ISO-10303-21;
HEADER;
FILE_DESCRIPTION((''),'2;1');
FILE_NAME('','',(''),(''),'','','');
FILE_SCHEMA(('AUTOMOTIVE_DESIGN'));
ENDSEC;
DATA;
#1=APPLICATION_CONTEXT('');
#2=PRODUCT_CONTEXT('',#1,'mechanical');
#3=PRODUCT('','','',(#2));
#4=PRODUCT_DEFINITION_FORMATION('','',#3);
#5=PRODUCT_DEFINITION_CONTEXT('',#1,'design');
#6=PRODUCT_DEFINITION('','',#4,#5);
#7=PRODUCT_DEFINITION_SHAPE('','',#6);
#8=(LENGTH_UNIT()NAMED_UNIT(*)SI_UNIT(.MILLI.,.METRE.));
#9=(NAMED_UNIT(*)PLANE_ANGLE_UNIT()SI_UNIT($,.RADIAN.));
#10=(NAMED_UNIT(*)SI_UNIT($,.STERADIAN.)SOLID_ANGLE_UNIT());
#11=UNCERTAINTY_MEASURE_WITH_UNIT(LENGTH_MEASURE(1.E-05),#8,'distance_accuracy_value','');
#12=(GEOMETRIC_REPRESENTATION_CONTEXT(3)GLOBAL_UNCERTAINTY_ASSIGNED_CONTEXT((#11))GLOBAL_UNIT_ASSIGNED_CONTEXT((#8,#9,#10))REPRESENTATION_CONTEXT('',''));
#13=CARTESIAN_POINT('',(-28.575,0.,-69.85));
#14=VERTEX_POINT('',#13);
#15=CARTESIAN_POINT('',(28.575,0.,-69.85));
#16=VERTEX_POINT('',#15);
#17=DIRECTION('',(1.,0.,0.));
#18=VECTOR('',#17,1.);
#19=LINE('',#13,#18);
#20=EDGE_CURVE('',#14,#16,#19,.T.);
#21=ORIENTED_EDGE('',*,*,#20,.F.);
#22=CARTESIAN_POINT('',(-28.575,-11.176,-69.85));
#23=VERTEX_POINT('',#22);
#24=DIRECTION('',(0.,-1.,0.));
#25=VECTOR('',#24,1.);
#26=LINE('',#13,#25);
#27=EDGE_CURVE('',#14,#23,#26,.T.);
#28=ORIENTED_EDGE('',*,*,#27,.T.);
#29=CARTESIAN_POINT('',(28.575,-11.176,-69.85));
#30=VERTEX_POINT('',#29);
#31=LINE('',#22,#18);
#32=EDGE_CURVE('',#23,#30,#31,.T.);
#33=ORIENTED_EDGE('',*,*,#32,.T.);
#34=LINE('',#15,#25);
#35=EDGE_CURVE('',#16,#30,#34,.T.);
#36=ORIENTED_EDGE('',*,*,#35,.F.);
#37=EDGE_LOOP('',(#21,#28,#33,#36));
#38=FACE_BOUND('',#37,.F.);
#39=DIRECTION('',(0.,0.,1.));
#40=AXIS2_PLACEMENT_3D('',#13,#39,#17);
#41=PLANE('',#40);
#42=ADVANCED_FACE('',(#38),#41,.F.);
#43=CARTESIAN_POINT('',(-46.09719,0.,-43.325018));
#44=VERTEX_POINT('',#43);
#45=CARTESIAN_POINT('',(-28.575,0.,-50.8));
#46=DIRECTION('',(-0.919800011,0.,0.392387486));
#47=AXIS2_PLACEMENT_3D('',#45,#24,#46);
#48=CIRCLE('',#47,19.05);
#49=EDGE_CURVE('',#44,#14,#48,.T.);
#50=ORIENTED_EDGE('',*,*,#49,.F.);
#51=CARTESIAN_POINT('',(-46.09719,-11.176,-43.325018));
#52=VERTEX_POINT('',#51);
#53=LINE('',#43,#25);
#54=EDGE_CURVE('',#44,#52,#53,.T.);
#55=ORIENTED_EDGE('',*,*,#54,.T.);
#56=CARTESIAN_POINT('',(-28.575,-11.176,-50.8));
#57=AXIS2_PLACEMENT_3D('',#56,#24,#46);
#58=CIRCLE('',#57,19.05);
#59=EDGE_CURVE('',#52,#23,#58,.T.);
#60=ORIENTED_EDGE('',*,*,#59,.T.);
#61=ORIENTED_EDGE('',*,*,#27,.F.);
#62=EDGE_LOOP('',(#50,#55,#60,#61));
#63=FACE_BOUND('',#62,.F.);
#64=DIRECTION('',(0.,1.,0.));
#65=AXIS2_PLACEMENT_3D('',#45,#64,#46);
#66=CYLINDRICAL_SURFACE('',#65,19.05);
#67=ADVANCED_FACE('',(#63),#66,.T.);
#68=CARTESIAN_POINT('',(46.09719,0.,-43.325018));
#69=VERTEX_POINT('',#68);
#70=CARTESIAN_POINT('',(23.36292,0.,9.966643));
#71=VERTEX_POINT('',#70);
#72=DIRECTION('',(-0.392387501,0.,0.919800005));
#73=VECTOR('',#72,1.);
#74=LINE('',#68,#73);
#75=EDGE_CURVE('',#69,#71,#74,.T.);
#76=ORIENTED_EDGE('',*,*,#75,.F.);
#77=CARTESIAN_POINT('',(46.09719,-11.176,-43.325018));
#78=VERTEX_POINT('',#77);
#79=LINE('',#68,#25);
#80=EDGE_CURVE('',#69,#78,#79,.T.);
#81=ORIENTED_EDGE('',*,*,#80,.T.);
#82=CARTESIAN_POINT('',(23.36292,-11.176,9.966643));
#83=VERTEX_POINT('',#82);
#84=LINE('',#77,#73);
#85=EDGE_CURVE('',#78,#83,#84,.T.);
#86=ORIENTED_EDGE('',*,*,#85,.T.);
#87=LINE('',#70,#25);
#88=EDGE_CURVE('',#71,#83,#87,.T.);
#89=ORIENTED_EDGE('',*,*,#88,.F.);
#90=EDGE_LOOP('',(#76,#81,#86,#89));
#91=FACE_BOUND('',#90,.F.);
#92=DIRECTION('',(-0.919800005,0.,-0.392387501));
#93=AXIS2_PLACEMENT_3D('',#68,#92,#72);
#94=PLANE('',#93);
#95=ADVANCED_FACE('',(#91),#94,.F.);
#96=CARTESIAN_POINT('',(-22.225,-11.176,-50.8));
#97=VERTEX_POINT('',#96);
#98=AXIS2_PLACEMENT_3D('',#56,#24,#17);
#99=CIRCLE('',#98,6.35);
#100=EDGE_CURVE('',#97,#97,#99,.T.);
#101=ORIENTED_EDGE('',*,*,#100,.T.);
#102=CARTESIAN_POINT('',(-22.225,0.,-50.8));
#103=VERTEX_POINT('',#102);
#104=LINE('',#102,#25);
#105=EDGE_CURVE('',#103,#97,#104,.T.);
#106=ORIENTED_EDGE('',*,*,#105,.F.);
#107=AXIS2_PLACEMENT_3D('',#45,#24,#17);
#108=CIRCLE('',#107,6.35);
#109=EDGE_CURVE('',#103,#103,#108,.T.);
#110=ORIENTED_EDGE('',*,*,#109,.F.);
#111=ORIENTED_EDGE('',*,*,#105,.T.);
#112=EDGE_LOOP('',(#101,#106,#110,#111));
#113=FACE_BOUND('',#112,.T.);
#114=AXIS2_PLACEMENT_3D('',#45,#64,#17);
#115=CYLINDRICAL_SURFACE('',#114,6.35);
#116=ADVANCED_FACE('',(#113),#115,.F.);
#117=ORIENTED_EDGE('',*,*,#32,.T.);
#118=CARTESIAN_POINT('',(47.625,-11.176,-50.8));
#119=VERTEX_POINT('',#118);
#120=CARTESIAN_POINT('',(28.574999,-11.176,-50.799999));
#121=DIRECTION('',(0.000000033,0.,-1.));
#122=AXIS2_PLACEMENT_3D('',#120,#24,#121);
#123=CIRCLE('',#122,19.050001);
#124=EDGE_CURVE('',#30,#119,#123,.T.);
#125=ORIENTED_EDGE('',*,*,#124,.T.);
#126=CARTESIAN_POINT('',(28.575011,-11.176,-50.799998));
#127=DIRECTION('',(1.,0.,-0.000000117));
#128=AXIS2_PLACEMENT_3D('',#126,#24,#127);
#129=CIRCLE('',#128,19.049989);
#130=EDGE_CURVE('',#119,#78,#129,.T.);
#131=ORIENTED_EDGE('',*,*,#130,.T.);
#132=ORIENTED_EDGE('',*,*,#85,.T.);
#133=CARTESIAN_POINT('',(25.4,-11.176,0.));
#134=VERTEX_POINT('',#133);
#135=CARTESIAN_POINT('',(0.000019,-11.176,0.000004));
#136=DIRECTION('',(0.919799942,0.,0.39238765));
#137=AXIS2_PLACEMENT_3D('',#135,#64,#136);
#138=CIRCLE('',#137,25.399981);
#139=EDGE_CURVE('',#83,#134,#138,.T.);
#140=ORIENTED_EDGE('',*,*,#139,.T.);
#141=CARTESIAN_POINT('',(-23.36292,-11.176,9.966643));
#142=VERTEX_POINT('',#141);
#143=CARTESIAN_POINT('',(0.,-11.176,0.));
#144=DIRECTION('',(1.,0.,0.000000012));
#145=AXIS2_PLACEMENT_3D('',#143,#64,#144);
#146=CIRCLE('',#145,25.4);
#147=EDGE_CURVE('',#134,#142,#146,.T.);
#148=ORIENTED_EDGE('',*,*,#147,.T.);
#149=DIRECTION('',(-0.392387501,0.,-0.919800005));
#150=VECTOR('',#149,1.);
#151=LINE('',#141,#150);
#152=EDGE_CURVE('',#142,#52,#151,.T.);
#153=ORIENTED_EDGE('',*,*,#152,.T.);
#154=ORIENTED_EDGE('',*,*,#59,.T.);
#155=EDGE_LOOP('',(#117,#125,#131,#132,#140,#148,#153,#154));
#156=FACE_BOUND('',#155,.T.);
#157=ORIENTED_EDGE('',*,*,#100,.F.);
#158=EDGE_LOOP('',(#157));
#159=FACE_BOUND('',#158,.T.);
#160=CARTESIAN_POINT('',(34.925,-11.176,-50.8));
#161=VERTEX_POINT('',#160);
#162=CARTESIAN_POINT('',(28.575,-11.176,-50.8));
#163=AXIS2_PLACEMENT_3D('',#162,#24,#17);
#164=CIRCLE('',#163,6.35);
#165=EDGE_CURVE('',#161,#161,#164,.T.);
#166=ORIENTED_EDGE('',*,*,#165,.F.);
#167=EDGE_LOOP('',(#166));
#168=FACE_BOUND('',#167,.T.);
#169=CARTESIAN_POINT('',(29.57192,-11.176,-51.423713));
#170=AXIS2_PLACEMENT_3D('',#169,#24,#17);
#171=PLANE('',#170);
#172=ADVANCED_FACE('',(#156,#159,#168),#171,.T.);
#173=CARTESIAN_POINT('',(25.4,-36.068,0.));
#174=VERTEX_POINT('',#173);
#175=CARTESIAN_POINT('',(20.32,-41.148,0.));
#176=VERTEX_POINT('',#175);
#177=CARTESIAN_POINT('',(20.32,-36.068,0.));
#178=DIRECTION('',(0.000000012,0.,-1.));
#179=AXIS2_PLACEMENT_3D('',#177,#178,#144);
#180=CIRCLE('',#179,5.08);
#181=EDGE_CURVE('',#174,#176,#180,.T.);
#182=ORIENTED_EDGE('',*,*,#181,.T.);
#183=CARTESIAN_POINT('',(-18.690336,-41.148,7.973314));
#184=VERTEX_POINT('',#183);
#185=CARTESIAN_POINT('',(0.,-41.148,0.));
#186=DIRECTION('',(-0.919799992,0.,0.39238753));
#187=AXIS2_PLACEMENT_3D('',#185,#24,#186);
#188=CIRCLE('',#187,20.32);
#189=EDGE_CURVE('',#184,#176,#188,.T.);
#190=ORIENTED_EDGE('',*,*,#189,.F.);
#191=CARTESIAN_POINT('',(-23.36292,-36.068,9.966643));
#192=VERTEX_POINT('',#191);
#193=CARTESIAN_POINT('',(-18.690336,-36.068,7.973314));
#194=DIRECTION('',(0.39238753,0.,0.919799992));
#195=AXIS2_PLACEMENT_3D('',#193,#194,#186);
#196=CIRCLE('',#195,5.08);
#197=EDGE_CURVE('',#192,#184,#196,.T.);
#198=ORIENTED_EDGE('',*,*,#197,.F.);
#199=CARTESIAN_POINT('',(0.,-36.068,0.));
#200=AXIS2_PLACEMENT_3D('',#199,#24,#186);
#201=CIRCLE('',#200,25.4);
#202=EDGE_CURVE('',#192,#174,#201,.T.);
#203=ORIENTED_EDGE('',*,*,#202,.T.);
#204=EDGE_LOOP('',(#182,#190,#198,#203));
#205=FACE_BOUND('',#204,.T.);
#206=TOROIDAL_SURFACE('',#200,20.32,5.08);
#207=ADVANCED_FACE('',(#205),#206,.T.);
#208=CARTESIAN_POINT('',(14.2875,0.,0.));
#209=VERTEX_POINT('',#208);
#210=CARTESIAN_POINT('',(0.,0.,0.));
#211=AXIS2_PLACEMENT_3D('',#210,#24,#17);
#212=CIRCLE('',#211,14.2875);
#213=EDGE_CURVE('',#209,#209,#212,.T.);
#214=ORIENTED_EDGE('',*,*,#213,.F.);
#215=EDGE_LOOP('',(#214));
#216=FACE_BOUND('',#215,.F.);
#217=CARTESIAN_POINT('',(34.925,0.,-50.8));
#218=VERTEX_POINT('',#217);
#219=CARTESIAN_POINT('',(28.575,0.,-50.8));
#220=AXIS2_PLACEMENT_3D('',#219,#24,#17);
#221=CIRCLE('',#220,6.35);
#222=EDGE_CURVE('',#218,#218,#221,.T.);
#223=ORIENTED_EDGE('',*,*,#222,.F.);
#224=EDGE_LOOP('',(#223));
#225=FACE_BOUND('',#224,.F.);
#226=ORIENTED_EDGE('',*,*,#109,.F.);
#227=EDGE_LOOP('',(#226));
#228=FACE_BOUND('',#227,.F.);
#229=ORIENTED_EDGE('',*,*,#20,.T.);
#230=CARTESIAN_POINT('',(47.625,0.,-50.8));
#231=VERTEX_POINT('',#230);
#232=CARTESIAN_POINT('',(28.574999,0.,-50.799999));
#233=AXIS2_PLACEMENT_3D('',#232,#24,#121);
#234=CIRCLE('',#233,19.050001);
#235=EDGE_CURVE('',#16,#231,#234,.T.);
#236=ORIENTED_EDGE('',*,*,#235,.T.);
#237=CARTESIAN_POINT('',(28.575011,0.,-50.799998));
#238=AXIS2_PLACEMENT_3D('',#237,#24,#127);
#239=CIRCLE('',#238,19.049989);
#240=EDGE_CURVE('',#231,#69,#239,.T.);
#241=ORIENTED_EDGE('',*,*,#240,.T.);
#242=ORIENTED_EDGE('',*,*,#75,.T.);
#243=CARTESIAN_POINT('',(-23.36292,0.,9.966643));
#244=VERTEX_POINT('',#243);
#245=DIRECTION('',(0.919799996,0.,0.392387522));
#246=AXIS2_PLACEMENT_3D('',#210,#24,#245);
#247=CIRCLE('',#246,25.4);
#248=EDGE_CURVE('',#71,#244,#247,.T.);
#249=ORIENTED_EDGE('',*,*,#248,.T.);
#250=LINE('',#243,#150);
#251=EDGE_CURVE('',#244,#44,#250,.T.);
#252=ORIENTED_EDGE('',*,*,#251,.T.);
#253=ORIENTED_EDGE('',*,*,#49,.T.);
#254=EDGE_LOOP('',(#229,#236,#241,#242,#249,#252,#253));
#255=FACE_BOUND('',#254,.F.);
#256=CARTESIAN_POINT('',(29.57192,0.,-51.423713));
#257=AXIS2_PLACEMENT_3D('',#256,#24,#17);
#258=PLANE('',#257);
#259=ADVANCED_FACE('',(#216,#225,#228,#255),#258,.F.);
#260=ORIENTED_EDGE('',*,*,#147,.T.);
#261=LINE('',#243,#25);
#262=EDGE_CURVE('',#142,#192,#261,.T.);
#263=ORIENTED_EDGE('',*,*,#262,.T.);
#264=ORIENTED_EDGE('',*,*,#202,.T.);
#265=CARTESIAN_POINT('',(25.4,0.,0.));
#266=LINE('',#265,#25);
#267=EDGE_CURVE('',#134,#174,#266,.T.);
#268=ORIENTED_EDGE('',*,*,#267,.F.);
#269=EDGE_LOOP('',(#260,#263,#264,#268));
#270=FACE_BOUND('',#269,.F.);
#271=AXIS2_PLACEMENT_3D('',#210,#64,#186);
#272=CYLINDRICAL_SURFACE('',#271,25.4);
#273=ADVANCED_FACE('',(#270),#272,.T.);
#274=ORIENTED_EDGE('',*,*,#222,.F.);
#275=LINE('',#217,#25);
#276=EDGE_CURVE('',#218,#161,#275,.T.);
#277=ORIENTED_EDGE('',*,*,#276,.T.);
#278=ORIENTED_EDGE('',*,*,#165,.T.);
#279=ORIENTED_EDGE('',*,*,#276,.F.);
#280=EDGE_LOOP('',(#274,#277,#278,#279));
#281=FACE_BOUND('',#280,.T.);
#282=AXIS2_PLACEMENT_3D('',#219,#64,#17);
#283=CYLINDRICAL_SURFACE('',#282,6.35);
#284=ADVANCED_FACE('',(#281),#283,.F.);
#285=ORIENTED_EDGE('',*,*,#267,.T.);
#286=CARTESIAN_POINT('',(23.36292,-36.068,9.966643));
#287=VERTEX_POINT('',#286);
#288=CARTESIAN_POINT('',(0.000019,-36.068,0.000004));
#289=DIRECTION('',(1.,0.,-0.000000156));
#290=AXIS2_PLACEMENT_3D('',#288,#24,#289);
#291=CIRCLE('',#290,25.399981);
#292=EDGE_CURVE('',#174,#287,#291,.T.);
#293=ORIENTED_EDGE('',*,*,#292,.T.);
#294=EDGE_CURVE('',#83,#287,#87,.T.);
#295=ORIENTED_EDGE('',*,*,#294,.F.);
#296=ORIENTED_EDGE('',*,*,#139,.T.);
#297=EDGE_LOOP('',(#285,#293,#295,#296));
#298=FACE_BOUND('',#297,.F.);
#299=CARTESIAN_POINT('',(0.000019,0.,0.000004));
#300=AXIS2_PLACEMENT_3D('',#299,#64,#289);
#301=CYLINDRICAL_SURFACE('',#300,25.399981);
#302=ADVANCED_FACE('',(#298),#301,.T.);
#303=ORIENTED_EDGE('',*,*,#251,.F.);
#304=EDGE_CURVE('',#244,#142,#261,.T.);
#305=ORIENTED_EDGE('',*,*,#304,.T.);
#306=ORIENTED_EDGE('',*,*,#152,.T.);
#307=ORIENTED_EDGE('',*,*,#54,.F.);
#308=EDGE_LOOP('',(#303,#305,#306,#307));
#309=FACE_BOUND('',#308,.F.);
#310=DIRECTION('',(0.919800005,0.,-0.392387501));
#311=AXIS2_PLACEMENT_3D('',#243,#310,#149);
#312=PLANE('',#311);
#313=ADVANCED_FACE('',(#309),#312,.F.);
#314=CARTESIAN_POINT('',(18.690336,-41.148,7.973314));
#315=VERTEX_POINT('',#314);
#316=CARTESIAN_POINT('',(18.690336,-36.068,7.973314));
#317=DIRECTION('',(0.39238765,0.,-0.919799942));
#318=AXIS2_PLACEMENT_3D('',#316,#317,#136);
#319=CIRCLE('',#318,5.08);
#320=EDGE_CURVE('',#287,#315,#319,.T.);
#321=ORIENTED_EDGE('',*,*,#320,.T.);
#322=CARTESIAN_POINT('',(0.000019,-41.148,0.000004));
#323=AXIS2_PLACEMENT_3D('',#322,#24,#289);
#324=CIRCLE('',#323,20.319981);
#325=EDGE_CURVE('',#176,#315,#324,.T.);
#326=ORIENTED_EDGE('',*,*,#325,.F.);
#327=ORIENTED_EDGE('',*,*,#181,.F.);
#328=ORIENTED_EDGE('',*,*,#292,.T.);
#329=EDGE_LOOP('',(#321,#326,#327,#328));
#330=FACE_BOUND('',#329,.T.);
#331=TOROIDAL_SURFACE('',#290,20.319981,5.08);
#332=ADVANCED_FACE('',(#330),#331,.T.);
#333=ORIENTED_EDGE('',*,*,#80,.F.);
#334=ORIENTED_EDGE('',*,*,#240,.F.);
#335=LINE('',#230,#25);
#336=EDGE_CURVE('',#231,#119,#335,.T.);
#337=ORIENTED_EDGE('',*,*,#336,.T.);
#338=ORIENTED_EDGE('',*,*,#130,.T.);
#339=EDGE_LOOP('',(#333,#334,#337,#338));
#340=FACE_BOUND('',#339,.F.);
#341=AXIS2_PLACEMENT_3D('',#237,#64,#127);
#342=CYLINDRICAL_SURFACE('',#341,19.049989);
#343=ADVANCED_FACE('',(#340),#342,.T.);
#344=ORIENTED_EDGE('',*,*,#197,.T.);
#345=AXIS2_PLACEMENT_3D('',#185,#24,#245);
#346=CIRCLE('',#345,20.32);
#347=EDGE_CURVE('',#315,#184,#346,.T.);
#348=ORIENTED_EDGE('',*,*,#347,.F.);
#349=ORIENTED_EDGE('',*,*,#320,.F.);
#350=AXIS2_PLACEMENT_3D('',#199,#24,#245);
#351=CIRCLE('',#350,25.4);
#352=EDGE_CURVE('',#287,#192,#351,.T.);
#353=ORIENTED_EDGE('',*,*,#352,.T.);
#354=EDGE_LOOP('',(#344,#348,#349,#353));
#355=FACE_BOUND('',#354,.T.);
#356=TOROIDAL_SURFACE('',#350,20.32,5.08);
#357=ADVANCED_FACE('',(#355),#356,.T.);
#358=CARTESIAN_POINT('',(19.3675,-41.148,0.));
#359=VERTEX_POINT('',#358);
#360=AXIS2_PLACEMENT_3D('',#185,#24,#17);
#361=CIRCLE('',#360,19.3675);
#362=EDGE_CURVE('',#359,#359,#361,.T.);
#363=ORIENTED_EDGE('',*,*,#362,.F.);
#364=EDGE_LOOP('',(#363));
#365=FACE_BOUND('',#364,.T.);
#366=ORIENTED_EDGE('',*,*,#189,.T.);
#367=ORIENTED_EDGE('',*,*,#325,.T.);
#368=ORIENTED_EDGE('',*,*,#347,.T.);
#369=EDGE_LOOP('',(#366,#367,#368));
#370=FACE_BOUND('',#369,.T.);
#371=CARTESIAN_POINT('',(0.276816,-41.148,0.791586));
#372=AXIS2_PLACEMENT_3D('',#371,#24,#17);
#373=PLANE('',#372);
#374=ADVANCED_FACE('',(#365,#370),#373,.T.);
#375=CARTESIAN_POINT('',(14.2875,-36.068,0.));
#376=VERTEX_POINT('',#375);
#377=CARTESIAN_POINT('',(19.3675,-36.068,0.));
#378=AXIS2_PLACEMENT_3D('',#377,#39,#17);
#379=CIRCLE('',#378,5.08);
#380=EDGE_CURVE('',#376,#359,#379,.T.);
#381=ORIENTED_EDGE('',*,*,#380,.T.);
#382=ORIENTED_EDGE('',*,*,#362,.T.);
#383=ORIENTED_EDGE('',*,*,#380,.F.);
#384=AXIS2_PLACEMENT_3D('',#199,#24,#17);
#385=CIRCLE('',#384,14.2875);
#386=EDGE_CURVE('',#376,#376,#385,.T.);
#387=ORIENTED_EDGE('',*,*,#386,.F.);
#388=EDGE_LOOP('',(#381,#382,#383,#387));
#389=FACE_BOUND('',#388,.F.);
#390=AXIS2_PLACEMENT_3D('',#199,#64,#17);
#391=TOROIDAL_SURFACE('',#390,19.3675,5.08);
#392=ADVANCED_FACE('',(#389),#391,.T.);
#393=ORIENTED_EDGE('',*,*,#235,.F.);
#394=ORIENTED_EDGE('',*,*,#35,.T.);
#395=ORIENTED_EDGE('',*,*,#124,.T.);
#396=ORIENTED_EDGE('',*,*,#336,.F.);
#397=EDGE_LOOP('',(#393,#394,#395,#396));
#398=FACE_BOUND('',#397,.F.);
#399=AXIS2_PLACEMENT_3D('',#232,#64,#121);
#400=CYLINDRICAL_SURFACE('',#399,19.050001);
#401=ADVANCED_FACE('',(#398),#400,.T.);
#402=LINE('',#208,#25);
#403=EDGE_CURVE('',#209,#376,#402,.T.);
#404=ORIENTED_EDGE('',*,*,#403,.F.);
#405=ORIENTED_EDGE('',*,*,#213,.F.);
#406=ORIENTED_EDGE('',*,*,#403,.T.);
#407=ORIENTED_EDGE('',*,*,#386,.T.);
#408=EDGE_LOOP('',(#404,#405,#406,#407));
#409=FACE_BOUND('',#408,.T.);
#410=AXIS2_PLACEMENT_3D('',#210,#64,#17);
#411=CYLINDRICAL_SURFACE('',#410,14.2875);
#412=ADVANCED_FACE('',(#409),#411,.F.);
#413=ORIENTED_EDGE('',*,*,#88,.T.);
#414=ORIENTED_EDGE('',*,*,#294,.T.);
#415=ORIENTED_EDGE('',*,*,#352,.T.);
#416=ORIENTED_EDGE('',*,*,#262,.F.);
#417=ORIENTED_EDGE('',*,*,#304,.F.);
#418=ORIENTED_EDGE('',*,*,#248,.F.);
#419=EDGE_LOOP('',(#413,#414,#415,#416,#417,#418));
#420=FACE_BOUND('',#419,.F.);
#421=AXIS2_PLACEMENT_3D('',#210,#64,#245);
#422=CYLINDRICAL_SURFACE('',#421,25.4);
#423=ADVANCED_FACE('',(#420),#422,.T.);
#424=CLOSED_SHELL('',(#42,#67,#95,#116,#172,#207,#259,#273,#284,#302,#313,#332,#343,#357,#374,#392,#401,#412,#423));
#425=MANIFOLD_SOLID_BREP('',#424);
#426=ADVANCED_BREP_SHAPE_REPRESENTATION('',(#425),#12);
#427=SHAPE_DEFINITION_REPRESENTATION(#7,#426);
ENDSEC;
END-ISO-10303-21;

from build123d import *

# Parameters (mm, degrees)
F0_R     = 14.2875
F1_DEPTH = 41.148
F2_R     = 5.08
F3_DEPTH = 11.176
F0_R_2   = 6.35
F4_DEPTH = 11.176
F5_DEPTH = 11.176


with BuildPart() as f1:
    # F0 (on Front) → F1 (new body)
    with BuildSketch(Plane.XZ):
        with BuildLine():
            ThreePointArc((-23.36292, 9.966643), (-5.086346, -24.88552), (25.4, 0))
            ThreePointArc((25.4, 0), (24.88552, 5.086346), (23.36292, 9.966643))
            ThreePointArc((23.36292, 9.966643), (0, 25.4), (-23.36292, 9.966643))
        make_face()
        Circle(F0_R, mode=Mode.SUBTRACT)
    extrude(amount=F1_DEPTH)

    # F2
    f2_edges = [f1.edges().sort_by_distance(p)[0] for p in [
        (-25.4, -41.148, 0),
        (-14.2875, -41.148, 0),
    ]]
    fillet(f2_edges, radius=F2_R)

    # F0 (on Front) → F3 (join)
    with BuildSketch(Plane.XZ):
        with BuildLine():
            ThreePointArc((23.36292, 9.966643), (24.88552, 5.086346), (25.4, 0))
            ThreePointArc((25.4, 0), (-5.086346, -24.88552), (-23.36292, 9.966643))
            Line((-23.36292, 9.966643), (-46.09719, -43.325018))
            ThreePointArc((-46.09719, -43.325018), (-24.760241, -32.13586), (-9.525, -50.8))
            ThreePointArc((-9.525, -50.8), (-15.104616, -64.270384), (-28.575, -69.85))
            Line((-28.575, -69.85), (28.575, -69.85))
            ThreePointArc((28.575, -69.85), (12.680018, -40.299903), (46.09719, -43.325018))
            Line((46.09719, -43.325018), (23.36292, 9.966643))
        make_face()
    extrude(amount=F3_DEPTH)

    # F0 (on Front) → F4 (join)
    with BuildSketch(Plane.XZ):
        with BuildLine():
            ThreePointArc((-9.525, -50.8), (-24.760241, -32.13586), (-46.09719, -43.325018))
            ThreePointArc((-46.09719, -43.325018), (-44.469982, -61.300097), (-28.575, -69.85))
            ThreePointArc((-28.575, -69.85), (-15.104616, -64.270384), (-9.525, -50.8))
        make_face()
        with Locations((-28.575, -50.8)):
            Circle(F0_R_2, mode=Mode.SUBTRACT)
    extrude(amount=F4_DEPTH)

    # F0 (on Front) → F5 (join)
    with BuildSketch(Plane.XZ):
        with BuildLine():
            ThreePointArc((47.625, -50.8), (47.23914, -46.985241), (46.09719, -43.325018))
            ThreePointArc((46.09719, -43.325018), (12.680018, -40.299903), (28.575, -69.85))
            ThreePointArc((28.575, -69.85), (42.045384, -64.270384), (47.625, -50.8))
        make_face()
        with Locations((28.575, -50.8)):
            Circle(F0_R_2, mode=Mode.SUBTRACT)
    extrude(amount=F5_DEPTH)


solid = f1.part
